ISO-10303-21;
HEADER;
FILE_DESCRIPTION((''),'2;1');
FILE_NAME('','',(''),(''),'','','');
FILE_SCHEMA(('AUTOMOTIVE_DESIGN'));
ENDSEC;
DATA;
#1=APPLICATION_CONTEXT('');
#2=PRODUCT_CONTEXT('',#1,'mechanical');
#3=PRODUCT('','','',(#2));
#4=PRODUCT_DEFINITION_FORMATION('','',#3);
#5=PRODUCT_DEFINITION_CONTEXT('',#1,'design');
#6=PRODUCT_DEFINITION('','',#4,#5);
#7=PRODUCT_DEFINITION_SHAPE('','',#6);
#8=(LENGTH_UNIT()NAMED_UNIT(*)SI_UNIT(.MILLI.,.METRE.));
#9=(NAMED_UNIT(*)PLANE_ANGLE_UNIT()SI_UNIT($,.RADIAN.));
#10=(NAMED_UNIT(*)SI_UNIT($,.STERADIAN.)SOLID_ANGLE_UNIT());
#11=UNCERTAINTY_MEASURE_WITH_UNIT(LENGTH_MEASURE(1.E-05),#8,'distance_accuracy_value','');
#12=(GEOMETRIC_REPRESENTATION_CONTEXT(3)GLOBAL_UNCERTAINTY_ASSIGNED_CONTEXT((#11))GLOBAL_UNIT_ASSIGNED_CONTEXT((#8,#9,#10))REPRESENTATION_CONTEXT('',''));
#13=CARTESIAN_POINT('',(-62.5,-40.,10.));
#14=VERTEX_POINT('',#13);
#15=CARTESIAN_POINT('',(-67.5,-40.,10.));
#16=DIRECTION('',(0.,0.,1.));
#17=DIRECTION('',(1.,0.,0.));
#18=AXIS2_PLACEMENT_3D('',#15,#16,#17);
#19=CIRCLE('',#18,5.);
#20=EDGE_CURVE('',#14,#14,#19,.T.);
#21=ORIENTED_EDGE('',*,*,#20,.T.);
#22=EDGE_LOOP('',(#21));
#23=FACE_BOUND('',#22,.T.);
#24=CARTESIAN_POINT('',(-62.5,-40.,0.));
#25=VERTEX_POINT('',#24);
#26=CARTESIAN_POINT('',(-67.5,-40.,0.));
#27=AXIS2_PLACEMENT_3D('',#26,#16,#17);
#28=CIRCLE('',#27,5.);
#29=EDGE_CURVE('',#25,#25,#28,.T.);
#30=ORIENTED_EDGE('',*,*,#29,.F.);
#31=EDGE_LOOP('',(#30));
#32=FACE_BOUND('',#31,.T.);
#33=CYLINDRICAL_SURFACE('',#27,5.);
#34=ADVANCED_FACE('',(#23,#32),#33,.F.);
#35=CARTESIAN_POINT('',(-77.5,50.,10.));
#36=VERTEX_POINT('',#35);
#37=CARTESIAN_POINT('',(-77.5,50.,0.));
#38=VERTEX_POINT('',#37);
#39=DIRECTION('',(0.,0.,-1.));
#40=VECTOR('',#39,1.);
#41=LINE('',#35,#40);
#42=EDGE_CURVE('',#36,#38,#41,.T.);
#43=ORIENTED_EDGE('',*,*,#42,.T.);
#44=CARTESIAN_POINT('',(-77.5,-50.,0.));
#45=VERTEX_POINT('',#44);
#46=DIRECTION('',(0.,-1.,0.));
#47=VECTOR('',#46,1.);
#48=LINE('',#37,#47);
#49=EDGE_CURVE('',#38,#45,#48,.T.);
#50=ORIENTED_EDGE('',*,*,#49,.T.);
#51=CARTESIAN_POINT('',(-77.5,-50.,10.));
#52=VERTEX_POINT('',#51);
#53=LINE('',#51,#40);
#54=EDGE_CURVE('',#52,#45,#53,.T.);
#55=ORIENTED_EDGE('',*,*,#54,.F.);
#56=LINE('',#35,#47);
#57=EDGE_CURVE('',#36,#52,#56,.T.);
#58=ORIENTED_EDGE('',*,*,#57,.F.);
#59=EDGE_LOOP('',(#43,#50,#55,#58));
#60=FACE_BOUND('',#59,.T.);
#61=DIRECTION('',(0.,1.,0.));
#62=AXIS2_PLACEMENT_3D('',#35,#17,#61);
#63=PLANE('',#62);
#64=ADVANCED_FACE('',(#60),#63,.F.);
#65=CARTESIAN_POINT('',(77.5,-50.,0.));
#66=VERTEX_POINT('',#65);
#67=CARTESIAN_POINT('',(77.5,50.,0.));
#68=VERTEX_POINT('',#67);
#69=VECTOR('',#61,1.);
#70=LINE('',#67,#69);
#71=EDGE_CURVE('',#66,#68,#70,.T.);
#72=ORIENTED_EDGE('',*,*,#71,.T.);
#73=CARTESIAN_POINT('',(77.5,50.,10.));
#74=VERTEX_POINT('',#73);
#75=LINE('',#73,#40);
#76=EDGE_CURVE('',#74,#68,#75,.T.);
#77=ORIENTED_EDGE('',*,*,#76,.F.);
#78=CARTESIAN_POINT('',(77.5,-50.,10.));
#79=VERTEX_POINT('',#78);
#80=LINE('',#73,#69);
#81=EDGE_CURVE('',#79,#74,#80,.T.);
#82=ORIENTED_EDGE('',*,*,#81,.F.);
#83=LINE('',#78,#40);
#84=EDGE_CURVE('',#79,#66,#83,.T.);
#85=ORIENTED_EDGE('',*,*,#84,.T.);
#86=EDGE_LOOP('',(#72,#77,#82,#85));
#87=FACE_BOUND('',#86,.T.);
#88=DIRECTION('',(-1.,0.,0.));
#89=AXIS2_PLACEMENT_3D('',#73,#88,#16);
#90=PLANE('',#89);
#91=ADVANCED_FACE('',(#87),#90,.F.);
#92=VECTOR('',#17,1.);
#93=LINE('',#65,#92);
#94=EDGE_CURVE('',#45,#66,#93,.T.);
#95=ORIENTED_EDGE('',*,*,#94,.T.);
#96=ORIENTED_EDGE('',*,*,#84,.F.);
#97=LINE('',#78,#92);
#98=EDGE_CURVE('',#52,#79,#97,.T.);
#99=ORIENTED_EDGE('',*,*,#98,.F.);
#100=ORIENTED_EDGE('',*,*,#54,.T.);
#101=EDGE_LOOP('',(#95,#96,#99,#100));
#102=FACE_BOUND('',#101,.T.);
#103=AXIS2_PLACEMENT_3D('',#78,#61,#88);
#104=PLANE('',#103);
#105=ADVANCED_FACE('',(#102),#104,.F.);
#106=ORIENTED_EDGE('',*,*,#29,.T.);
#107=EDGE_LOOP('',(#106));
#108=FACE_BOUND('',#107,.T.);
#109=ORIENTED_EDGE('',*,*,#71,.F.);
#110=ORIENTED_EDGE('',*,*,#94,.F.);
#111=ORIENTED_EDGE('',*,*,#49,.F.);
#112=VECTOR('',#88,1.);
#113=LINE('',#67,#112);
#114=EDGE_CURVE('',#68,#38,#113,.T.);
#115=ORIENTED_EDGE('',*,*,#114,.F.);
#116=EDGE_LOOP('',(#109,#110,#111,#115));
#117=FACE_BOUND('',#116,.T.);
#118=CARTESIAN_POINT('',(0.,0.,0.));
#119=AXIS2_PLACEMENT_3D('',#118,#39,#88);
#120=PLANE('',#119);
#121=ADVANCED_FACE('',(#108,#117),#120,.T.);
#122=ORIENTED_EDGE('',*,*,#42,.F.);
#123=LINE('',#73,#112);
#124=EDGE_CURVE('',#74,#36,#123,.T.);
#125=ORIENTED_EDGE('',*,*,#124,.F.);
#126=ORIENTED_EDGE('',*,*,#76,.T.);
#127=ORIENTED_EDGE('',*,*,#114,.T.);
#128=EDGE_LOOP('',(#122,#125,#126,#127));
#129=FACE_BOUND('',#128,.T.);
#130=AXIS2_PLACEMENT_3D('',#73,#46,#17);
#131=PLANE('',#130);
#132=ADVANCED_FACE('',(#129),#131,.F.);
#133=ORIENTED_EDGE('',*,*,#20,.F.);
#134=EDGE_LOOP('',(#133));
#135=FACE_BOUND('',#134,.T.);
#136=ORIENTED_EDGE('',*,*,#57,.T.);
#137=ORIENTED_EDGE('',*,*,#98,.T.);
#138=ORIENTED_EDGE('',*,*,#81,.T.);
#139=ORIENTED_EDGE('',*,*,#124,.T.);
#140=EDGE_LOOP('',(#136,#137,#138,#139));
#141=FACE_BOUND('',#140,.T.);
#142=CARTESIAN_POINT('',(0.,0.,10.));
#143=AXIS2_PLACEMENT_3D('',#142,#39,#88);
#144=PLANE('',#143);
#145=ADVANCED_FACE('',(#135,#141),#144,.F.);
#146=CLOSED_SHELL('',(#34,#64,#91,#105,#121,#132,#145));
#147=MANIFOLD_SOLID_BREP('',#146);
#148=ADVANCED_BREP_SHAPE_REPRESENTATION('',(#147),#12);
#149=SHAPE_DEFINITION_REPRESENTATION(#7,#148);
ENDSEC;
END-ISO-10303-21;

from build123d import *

# Parameters (mm, degrees)
SKETCH1_W           = 155
SKETCH1_H           = 100
BOSS_EXTRUDE1_DEPTH = 10
SKETCH2_R           = 5
CUT_EXTRUDE1_DEPTH  = 93.769876576


with BuildPart() as part:
    # Sketch1 → Boss-Extrude1 (new body)
    with BuildSketch(Plane.XY):
        Rectangle(SKETCH1_W, SKETCH1_H)
    extrude(amount=BOSS_EXTRUDE1_DEPTH)

    # Sketch2 → Cut-Extrude1 (cut, through all)
    with BuildSketch(Plane.XY.offset(10)):
        with Locations((-67.5, -40)):
            Circle(SKETCH2_R)
    extrude(amount=-CUT_EXTRUDE1_DEPTH, mode=Mode.SUBTRACT)


solid = part.part
